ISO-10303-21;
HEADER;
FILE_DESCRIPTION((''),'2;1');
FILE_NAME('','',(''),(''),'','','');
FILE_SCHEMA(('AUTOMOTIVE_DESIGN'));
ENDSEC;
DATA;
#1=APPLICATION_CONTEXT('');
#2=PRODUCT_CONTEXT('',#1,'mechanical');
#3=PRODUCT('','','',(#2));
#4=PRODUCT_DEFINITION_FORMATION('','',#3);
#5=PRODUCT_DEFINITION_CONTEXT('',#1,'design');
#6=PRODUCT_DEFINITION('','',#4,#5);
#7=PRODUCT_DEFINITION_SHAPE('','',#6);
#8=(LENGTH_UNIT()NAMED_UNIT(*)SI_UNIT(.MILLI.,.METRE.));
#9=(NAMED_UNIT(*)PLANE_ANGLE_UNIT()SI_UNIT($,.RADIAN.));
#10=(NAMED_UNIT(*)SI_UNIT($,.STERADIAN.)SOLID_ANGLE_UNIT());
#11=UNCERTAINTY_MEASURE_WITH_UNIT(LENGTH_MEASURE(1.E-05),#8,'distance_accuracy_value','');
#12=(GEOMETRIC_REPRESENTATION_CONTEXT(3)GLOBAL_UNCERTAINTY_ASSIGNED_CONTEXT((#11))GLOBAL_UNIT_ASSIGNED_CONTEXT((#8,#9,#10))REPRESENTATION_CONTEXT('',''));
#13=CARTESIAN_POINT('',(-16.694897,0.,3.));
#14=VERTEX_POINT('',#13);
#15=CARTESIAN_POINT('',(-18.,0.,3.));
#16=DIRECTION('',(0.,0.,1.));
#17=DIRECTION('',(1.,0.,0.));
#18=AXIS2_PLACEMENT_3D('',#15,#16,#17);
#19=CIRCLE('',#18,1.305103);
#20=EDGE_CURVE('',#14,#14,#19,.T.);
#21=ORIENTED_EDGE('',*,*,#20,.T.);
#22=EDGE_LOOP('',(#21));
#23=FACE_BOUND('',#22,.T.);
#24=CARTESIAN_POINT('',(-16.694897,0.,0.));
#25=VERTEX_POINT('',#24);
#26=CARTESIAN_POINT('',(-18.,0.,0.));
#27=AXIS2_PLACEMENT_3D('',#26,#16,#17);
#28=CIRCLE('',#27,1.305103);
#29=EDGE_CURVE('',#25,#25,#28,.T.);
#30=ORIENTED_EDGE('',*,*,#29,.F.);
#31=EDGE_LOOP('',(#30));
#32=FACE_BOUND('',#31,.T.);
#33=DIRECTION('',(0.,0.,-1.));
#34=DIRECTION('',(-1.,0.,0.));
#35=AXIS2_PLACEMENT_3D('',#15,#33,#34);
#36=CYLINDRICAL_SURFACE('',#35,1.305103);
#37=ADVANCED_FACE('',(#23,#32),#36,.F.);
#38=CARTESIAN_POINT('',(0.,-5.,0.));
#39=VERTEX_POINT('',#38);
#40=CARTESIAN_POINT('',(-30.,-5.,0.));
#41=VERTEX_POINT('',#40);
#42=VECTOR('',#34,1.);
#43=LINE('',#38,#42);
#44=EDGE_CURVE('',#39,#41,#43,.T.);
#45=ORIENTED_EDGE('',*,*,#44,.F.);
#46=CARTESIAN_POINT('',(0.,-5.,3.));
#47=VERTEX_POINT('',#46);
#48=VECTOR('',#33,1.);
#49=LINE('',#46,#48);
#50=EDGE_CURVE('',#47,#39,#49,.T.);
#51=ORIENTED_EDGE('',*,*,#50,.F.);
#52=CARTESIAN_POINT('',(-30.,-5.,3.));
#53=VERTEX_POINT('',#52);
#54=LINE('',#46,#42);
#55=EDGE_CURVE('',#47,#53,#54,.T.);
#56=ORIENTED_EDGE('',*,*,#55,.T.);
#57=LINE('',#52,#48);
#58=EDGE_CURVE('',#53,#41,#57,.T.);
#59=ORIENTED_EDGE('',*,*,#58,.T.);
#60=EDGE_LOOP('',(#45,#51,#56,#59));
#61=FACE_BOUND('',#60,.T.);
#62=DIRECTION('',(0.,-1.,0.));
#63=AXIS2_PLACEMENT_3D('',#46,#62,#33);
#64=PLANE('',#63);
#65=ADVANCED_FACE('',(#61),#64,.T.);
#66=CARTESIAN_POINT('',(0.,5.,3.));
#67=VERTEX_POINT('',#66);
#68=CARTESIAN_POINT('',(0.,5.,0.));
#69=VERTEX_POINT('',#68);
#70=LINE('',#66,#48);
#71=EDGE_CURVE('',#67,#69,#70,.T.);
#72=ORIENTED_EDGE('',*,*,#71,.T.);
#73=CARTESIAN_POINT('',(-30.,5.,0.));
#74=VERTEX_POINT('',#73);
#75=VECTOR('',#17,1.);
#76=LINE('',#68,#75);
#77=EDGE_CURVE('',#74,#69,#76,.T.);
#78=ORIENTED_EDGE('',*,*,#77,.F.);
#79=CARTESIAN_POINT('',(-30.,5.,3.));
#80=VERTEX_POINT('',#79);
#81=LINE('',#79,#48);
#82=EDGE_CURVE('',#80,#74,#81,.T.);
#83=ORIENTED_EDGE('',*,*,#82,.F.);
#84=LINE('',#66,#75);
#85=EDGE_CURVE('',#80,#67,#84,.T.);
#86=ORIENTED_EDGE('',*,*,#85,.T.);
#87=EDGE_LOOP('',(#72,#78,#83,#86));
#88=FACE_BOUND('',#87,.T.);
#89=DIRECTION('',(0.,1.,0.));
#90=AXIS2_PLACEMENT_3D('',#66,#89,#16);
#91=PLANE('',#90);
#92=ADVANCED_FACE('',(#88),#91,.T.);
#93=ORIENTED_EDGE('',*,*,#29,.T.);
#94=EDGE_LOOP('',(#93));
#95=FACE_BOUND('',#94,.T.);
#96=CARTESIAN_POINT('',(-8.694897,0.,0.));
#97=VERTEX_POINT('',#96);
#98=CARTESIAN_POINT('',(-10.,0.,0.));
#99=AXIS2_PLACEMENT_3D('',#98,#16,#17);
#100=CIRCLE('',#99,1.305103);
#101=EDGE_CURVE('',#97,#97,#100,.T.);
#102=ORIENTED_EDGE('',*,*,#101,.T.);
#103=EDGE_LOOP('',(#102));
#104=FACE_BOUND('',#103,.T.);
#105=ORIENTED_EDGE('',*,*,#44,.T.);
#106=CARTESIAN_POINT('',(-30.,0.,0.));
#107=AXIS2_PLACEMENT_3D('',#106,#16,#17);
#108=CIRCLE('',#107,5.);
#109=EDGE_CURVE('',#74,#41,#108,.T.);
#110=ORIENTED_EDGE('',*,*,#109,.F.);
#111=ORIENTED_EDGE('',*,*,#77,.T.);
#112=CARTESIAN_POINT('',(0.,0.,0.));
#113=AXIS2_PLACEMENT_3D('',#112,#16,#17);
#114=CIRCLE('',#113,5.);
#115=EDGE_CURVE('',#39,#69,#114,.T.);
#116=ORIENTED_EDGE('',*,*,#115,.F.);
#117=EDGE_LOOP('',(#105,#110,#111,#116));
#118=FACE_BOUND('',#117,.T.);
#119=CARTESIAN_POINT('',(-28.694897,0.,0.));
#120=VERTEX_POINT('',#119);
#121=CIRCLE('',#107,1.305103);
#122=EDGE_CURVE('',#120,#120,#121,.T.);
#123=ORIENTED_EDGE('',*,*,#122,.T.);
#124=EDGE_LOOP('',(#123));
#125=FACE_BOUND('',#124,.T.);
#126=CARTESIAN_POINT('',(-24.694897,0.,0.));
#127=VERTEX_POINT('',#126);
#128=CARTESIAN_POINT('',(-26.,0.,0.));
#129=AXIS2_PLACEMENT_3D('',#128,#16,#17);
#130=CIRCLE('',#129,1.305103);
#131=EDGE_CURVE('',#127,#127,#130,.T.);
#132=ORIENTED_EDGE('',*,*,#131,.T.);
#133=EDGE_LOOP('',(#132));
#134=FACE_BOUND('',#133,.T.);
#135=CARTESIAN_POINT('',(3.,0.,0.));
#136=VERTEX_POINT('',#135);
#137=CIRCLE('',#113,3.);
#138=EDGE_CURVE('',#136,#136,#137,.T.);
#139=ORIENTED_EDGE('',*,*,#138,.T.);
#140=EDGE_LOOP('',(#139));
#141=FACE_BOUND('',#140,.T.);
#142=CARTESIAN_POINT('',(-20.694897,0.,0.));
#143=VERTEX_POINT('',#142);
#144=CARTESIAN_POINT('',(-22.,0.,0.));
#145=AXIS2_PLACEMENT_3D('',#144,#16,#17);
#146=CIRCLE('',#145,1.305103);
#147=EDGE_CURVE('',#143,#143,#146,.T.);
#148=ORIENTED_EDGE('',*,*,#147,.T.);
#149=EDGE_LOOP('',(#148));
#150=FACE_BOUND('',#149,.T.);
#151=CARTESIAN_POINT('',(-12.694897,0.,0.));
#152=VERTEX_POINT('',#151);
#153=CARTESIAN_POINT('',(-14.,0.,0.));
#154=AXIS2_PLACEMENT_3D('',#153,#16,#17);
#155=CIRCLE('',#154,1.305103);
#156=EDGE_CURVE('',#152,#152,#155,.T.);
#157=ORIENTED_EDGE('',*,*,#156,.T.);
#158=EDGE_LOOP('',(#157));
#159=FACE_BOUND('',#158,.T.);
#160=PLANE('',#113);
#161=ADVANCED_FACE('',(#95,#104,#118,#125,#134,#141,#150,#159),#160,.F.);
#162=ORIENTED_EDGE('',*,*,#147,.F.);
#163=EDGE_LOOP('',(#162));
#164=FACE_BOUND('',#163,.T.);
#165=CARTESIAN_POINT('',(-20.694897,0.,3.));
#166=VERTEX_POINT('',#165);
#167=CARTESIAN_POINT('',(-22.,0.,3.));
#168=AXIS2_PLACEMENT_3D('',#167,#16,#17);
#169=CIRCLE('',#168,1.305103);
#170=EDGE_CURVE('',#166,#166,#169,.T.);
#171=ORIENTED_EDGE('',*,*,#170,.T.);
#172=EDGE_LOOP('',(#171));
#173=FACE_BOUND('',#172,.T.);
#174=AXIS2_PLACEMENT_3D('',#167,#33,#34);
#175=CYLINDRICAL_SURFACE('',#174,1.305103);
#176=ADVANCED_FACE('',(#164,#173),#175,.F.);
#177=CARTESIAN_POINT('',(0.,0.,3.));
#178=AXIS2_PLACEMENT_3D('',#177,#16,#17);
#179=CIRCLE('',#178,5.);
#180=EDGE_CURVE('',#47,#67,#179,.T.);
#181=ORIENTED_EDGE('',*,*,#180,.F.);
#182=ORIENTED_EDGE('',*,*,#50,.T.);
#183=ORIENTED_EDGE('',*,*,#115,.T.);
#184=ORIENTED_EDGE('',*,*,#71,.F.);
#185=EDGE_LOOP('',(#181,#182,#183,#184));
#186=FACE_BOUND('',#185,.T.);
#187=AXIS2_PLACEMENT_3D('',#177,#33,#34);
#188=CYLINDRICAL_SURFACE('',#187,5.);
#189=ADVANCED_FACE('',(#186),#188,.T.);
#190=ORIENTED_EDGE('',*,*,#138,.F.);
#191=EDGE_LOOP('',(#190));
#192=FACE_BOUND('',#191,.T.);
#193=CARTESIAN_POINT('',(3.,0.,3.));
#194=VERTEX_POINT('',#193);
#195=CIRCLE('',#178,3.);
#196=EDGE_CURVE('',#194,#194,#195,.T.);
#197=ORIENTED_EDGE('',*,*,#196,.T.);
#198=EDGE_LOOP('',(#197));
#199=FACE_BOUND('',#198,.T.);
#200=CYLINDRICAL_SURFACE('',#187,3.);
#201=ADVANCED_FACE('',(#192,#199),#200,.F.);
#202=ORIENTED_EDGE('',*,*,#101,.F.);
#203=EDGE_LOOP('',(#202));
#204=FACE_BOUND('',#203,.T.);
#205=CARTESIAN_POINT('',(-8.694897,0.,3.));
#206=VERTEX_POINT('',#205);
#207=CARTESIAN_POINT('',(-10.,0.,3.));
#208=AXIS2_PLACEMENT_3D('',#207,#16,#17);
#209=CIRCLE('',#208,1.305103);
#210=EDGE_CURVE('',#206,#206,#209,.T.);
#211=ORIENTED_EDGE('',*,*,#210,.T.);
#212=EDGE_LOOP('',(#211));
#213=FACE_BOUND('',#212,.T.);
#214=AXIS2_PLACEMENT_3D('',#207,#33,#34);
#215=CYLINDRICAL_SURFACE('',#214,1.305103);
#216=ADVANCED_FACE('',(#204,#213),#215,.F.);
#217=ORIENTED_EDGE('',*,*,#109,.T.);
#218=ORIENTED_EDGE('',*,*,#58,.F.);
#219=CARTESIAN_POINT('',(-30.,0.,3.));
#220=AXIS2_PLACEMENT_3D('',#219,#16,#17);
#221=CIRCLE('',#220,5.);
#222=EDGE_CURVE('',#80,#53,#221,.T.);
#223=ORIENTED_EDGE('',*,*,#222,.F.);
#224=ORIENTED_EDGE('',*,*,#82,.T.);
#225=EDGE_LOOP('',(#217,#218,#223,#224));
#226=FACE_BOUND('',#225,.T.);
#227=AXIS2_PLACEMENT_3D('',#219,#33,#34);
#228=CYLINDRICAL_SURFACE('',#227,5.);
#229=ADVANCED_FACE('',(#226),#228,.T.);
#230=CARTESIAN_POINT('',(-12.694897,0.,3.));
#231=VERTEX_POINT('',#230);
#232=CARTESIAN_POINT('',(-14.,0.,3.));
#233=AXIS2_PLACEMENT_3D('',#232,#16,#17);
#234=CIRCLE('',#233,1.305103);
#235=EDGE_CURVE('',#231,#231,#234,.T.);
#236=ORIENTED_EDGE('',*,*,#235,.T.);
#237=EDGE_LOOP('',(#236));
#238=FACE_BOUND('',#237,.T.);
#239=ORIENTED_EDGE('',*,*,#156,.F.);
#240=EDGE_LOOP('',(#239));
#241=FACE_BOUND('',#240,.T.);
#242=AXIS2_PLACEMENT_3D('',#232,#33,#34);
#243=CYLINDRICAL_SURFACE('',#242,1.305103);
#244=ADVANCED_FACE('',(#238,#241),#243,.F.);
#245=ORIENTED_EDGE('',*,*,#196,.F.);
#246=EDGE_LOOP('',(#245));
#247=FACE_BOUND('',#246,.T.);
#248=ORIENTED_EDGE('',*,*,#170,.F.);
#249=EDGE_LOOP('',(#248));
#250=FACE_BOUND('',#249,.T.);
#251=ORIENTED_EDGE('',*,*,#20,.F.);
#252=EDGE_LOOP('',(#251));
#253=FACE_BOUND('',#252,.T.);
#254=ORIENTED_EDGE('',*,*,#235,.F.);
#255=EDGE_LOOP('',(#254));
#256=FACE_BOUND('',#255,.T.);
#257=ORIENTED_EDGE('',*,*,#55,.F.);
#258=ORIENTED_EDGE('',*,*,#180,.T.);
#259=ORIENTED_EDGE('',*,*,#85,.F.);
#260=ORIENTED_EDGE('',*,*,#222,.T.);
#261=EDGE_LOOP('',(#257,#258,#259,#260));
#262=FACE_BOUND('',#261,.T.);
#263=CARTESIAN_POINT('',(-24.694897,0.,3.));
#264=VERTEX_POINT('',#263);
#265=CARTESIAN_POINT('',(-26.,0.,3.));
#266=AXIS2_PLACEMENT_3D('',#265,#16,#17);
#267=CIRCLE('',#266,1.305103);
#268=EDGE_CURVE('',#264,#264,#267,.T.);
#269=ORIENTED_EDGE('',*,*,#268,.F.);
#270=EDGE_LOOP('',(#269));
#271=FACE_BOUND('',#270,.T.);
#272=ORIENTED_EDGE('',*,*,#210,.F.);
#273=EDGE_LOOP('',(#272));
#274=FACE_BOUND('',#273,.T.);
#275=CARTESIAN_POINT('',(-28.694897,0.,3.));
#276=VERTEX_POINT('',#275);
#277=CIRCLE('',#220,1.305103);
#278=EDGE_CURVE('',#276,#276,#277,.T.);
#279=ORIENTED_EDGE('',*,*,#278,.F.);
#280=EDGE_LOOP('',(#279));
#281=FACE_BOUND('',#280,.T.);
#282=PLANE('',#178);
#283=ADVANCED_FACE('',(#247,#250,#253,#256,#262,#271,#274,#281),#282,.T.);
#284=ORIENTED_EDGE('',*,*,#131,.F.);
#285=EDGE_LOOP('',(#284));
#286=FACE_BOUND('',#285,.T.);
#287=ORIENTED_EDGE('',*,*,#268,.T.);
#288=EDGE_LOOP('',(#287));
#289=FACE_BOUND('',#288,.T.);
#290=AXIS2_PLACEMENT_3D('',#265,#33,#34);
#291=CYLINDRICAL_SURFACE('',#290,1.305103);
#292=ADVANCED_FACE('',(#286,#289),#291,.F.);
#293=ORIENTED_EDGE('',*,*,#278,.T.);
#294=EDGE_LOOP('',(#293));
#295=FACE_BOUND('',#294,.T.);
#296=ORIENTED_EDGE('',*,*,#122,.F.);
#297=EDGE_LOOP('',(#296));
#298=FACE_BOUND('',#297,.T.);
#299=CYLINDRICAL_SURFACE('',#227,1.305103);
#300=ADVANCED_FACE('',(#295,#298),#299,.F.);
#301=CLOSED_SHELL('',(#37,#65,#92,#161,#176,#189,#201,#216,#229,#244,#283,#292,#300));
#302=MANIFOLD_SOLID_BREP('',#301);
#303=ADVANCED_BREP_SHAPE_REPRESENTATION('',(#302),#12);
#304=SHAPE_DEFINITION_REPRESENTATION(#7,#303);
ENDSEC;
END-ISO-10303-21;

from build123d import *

# Parameters (mm, degrees)
ESQUISSE1_R        = 1.305103473
ESQUISSE1_R_2      = 3
BOSS_EXTRU_1_DEPTH = 3


with BuildPart() as part:
    # Esquisse1 → Boss.-Extru.1 (new body)
    with BuildSketch(Plane.XY):
        with BuildLine():
            Line((-30, -5), (0, -5))
            ThreePointArc((0, -5), (5, 0), (0, 5))
            Line((0, 5), (-30, 5))
            ThreePointArc((-30, 5), (-35, 0), (-30, -5))
        make_face()
        with Locations((-30, 0)):
            Circle(ESQUISSE1_R, mode=Mode.SUBTRACT)
        with Locations((-26, 0)):
            Circle(ESQUISSE1_R, mode=Mode.SUBTRACT)
        with Locations((-22, 0)):
            Circle(ESQUISSE1_R, mode=Mode.SUBTRACT)
        with Locations((-18, 0)):
            Circle(ESQUISSE1_R, mode=Mode.SUBTRACT)
        with Locations((-14, 0)):
            Circle(ESQUISSE1_R, mode=Mode.SUBTRACT)
        with Locations((-10, 0)):
            Circle(ESQUISSE1_R, mode=Mode.SUBTRACT)
        Circle(ESQUISSE1_R_2, mode=Mode.SUBTRACT)
    extrude(amount=BOSS_EXTRU_1_DEPTH)


solid = part.part
